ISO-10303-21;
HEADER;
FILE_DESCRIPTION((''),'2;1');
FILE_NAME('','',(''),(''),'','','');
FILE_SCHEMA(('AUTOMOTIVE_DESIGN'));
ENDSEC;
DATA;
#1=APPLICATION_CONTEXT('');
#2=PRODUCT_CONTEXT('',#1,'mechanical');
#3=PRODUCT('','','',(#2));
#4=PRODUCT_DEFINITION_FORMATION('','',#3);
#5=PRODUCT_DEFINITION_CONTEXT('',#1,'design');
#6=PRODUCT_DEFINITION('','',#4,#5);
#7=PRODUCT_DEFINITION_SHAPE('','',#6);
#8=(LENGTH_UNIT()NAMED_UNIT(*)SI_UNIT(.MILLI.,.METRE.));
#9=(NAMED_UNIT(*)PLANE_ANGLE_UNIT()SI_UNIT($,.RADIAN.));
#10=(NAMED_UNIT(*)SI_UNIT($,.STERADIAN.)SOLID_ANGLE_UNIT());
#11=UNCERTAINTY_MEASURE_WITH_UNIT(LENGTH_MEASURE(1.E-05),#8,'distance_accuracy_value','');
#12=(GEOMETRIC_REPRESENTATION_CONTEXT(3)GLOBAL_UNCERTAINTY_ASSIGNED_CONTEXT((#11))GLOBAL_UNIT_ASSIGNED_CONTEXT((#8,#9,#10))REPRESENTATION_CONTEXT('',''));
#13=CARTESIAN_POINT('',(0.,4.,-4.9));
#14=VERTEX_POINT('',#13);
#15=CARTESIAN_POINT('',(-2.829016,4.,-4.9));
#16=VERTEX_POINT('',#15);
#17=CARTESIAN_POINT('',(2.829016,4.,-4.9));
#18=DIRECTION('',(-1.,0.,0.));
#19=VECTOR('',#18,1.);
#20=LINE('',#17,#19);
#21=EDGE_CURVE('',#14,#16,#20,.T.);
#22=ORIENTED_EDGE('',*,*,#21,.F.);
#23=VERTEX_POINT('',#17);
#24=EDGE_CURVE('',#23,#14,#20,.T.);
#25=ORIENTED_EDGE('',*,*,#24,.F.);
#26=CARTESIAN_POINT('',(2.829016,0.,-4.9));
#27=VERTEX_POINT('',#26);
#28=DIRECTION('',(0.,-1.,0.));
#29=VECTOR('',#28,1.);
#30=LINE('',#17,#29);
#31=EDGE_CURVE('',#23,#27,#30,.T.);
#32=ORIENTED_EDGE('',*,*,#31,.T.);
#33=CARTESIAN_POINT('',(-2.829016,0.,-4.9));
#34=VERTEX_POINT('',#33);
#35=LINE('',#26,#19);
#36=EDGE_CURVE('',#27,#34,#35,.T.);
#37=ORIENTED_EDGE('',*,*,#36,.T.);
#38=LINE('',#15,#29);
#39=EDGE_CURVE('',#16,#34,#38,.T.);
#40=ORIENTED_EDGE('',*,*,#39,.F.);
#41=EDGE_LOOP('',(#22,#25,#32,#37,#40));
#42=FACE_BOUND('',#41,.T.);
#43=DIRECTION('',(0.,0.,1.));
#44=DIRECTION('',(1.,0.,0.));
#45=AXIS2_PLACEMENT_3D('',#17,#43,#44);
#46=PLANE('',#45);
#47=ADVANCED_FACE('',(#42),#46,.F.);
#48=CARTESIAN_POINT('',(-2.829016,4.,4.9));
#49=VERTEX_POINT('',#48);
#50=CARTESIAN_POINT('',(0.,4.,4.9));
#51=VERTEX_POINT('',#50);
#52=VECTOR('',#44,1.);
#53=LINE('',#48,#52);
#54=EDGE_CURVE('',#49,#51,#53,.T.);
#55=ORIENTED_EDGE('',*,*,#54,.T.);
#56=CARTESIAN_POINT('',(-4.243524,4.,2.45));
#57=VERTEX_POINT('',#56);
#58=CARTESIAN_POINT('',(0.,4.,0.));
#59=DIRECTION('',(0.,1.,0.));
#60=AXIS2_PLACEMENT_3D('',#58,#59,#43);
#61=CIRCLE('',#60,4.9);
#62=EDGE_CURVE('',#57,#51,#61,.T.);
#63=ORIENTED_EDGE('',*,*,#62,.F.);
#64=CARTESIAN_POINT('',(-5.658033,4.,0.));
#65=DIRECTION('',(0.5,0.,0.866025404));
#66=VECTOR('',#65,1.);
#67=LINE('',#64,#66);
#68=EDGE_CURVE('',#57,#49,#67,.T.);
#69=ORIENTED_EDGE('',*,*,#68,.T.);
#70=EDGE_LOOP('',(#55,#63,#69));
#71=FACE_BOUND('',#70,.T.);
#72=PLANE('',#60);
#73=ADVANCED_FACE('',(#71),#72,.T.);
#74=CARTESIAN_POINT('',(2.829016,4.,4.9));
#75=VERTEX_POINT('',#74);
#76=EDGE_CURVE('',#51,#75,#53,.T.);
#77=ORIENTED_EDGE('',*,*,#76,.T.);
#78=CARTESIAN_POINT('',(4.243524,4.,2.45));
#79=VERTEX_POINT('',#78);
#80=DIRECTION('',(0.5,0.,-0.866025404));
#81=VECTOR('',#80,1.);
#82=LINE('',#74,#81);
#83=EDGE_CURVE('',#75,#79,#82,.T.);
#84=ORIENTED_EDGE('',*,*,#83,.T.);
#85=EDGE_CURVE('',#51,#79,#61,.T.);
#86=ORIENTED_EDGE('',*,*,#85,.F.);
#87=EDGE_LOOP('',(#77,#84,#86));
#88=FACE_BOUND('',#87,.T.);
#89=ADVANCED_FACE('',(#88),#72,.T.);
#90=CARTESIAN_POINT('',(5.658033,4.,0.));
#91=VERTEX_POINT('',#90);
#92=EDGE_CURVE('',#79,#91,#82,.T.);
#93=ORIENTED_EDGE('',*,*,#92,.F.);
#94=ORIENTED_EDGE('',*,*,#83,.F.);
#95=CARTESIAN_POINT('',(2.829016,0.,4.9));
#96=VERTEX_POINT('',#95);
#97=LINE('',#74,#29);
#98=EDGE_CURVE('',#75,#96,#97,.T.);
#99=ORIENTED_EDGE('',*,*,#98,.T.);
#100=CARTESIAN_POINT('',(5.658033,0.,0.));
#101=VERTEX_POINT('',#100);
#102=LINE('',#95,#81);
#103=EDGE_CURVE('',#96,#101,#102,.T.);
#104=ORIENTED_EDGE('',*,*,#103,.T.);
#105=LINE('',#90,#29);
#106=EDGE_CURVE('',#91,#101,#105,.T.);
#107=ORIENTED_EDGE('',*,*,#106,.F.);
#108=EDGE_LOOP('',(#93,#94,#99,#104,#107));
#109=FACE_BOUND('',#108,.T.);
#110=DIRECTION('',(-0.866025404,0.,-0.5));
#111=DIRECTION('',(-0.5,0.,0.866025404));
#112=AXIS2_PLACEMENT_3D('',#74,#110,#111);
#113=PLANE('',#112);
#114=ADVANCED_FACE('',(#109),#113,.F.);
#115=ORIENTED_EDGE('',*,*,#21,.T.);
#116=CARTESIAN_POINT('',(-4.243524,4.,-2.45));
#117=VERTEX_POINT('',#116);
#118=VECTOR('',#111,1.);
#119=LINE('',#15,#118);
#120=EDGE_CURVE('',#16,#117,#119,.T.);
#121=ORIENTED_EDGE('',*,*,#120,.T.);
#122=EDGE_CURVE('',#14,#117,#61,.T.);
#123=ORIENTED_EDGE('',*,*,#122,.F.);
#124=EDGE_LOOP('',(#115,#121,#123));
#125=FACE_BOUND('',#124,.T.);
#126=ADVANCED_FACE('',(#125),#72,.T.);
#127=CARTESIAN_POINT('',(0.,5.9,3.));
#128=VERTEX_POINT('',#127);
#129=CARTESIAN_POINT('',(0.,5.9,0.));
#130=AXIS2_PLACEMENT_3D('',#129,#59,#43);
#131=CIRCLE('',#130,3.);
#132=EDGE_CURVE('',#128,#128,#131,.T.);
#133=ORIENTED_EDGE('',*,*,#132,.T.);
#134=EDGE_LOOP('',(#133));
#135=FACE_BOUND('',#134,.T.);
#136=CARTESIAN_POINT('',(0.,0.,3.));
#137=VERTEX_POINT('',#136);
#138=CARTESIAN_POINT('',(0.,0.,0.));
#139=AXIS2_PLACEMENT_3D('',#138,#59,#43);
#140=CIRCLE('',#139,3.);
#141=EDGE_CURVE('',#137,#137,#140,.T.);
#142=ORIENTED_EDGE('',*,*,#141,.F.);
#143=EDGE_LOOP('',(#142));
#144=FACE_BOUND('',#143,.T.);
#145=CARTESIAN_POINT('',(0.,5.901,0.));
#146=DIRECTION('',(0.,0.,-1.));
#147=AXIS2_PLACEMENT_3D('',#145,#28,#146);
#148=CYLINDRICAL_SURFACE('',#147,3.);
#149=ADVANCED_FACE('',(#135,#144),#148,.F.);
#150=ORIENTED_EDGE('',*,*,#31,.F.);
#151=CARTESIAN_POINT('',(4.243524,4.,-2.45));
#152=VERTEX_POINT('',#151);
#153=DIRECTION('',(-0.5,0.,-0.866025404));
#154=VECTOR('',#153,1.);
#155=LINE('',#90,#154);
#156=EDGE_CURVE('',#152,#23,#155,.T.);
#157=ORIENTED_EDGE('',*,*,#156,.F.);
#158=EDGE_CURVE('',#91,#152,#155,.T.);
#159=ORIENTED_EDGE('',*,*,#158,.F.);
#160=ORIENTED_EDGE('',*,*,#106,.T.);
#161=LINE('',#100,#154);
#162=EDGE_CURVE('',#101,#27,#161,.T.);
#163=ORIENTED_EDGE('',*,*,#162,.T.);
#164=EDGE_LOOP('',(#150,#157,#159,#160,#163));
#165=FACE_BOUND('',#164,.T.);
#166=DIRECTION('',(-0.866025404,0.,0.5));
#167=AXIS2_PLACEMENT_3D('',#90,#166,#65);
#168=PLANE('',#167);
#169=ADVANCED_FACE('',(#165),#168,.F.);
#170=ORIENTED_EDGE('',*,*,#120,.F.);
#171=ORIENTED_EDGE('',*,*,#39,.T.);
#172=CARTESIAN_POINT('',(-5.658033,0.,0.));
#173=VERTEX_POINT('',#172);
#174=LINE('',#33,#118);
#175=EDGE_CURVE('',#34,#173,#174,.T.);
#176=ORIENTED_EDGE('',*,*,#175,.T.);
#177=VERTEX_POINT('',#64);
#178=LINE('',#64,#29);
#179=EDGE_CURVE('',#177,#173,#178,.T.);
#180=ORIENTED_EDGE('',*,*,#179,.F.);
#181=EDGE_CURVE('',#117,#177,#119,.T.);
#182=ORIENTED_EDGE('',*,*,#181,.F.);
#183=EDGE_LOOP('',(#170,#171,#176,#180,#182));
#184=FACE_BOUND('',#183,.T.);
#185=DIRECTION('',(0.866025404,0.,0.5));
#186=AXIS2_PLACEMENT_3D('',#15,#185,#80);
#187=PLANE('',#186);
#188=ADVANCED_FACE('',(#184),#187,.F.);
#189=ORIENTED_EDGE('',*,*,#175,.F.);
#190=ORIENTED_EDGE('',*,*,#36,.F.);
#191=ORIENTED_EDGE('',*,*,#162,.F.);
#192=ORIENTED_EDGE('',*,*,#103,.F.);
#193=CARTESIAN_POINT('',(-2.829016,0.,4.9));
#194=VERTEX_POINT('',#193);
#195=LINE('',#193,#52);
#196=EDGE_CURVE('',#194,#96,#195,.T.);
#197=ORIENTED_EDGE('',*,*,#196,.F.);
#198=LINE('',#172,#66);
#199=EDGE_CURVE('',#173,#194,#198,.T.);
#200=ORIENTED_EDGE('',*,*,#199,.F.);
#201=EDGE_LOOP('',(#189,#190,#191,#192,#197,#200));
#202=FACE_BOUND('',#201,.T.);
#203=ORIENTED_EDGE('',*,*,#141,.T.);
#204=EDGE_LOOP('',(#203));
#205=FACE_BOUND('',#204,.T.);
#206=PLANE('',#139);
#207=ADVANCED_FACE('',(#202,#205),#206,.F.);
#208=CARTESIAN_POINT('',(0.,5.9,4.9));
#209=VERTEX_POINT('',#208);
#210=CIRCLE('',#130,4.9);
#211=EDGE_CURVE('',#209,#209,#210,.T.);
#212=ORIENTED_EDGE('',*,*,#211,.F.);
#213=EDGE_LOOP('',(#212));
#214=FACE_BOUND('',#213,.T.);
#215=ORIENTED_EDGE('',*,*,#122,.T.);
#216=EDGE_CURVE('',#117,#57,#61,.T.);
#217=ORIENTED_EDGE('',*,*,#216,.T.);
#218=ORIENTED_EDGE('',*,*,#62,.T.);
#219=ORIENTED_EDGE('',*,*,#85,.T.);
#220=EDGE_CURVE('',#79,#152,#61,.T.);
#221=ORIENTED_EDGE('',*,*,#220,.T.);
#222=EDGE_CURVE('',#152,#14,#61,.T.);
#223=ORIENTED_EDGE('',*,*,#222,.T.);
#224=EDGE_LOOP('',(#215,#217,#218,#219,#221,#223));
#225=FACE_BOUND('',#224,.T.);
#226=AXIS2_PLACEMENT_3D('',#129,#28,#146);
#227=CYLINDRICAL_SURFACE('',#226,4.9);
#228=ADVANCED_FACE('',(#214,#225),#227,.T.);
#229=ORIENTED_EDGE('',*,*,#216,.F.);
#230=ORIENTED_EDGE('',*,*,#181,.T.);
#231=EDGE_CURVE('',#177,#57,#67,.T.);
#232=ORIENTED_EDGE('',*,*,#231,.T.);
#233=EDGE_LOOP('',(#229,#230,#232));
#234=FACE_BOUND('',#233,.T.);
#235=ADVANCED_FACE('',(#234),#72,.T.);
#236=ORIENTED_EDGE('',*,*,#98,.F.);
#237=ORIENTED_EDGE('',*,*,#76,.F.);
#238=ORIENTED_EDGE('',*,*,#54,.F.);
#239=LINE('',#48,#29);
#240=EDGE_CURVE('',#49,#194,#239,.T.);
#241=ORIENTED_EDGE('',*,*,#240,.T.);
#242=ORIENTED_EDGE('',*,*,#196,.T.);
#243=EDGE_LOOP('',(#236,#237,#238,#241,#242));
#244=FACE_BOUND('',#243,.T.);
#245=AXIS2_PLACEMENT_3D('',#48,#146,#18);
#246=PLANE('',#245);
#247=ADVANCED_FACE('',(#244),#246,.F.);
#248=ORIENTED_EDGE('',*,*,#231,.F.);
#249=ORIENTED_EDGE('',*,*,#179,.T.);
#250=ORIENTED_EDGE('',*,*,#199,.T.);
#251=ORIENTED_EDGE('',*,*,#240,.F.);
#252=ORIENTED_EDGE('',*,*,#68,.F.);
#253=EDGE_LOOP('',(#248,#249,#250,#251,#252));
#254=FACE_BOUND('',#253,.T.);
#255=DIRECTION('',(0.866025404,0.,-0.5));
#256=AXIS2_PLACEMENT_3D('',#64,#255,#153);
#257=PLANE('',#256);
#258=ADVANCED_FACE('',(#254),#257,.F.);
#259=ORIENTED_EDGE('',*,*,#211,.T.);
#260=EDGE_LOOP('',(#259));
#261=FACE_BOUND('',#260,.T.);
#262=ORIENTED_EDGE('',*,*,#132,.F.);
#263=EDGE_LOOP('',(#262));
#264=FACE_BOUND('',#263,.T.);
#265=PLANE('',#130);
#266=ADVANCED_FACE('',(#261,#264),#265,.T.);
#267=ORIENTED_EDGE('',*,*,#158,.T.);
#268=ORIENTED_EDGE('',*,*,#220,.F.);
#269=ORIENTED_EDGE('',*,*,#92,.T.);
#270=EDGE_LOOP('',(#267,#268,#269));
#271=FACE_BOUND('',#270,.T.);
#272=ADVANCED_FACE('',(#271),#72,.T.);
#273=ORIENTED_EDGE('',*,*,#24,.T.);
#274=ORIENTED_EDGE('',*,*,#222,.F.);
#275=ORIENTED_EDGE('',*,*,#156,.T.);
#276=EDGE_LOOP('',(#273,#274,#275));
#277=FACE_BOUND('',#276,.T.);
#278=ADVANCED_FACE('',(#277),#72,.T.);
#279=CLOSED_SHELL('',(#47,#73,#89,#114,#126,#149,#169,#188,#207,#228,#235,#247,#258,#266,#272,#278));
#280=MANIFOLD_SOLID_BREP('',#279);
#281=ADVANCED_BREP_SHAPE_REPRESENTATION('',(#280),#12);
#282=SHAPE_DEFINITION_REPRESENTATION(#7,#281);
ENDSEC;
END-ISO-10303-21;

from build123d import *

# Parameters (mm, degrees)
EXTRUDE_1_DEPTH     = 4
EXTRUDE_START       = 4
SKETCH_2_R          = 4.9
EXTRUDE_2_DEPTH     = 1.9
CUT_EXTRUDE_1_REACH = 11.531
SKETCH_3_R          = 3


with BuildPart() as part:
    # 草图1 → 凸台-拉伸1 (new body)
    with BuildSketch(Plane(origin=(0, 0, 0), x_dir=(1, 0, 0), z_dir=(0, 1, 0))):
        Polygon((5.658032638, 0), (2.829016319, 4.9), (-2.829016319, 4.9), (-5.658032638, 0), (-2.829016319, -4.9), (2.829016319, -4.9), align=None)
    extrude(amount=EXTRUDE_1_DEPTH)

    # 草图2 → 凸台-拉伸2 (add)
    with BuildSketch(Plane(origin=(0, 0, 0), x_dir=(1, 0, 0), z_dir=(0, 1, 0)).offset(EXTRUDE_START)):
        with Locations(Location((0, 0, 0), (0, 0, 270))):
            Circle(SKETCH_2_R)
    extrude(amount=EXTRUDE_2_DEPTH)

    # 草图3 → 切除-拉伸1 (cut, up to next)
    with BuildSketch(Plane(origin=(0, 0, 0), x_dir=(1, 0, 0), z_dir=(0, 1, 0)), mode=Mode.PRIVATE) as cut_extrude_1_sk1:
        with Locations(Location((0, 0, 0), (0, 0, 270))):
            Circle(SKETCH_3_R)
    cut_extrude_1_tool1 = extrude(cut_extrude_1_sk1.sketch, amount=CUT_EXTRUDE_1_REACH, mode=Mode.PRIVATE) & part.part
    add(cut_extrude_1_tool1.solids().sort_by_distance((0, 0, 0))[0], mode=Mode.SUBTRACT)


solid = part.part
